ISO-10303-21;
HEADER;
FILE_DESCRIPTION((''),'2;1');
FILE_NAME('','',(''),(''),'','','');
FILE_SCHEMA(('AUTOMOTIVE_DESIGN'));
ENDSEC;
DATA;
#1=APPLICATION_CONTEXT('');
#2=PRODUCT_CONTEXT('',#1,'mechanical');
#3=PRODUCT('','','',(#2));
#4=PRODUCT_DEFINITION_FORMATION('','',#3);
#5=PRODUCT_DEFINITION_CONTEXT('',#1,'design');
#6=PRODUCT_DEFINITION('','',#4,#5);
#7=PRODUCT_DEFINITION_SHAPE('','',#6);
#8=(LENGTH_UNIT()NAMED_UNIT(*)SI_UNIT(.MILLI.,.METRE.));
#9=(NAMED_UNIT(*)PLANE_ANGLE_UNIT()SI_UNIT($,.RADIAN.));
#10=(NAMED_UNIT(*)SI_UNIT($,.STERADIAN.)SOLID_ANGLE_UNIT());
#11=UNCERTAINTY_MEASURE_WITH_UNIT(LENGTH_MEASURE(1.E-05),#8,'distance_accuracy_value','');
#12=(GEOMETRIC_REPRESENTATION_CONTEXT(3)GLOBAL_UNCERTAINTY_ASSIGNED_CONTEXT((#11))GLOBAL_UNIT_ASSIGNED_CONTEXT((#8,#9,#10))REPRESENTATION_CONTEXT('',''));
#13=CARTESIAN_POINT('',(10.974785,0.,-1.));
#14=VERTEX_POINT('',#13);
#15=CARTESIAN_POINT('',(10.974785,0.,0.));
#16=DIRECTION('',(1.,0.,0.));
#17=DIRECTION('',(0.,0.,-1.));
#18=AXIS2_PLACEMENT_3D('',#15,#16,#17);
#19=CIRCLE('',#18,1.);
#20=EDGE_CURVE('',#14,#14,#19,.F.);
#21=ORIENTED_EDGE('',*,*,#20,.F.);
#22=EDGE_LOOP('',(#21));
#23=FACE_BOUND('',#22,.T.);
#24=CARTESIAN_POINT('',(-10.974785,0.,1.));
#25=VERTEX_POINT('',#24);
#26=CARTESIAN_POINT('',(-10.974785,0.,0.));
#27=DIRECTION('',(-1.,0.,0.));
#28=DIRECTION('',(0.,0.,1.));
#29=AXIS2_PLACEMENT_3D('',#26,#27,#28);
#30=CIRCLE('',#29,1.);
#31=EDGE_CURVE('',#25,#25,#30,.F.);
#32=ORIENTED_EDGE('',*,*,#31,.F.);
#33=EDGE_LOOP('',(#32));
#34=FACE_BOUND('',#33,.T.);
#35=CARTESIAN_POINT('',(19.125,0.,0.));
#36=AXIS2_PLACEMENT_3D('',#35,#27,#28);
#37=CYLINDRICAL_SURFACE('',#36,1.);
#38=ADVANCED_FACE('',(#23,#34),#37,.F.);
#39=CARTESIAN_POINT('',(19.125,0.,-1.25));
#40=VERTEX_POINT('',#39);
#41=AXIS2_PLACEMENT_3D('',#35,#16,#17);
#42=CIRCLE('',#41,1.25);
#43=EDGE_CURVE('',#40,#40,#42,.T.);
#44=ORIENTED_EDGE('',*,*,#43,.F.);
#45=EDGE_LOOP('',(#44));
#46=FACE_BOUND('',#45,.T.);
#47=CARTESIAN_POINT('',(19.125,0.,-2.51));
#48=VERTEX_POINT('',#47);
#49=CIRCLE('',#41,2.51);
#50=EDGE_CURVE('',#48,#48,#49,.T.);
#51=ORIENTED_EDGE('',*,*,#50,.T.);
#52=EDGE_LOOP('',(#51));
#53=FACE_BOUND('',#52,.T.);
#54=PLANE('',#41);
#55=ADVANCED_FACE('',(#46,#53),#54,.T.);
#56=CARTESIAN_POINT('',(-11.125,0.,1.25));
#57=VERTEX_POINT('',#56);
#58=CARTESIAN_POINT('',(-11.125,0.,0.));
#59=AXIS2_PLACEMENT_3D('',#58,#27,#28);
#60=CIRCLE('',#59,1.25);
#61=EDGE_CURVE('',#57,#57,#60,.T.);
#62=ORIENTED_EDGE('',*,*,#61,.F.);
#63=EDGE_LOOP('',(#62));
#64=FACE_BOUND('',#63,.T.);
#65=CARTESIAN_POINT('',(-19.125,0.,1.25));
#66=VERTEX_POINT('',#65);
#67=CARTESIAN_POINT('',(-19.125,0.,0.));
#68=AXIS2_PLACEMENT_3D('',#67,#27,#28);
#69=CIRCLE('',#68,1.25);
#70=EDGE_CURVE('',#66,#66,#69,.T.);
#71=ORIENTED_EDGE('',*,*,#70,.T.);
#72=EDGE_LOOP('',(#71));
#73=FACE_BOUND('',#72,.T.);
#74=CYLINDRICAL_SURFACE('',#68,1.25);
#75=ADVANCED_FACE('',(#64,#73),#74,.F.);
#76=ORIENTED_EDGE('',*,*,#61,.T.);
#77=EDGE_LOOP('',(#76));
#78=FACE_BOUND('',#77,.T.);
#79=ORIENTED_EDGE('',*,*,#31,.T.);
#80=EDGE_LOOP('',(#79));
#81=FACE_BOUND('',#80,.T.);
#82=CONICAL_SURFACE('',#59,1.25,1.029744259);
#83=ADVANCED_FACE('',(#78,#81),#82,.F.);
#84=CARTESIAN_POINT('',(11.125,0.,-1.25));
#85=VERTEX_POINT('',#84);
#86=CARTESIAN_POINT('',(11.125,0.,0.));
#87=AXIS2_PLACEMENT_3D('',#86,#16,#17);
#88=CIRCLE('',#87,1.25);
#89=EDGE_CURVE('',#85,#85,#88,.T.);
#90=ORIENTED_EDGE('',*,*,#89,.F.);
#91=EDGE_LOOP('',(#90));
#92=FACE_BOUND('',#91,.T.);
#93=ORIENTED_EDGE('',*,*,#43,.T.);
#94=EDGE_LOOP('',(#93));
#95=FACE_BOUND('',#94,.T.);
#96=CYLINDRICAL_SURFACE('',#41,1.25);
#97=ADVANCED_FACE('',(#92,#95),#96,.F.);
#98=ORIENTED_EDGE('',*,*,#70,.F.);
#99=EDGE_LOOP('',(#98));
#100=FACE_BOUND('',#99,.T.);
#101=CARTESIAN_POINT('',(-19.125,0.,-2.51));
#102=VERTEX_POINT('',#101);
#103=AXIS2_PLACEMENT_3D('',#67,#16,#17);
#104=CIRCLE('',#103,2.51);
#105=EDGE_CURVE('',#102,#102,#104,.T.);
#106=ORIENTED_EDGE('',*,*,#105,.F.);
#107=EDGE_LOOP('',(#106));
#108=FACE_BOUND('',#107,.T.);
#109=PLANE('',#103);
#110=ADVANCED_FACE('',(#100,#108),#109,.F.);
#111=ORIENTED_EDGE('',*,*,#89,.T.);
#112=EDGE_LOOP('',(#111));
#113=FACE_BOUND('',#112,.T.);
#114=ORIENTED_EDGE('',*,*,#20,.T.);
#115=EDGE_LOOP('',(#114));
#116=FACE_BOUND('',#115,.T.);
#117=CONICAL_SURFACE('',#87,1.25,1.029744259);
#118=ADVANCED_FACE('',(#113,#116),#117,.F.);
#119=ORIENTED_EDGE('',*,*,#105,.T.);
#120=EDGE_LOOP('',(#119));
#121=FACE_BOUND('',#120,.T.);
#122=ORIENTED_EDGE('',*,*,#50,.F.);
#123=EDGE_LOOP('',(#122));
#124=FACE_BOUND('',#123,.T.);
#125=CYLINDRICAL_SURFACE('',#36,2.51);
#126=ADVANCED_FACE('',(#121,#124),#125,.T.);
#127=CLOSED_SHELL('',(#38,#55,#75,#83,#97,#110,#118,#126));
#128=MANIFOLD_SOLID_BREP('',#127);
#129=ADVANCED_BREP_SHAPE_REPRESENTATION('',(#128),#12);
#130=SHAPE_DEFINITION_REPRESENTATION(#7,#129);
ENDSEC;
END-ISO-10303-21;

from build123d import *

# Parameters (mm, degrees)
SCHIZZO2_R                   = 2.51
SCHIZZO2_R_2                 = 1
ESTRUSIONE_ESTRUSIONE1_DEPTH = 19.125


with BuildPart() as part:
    # Schizzo2 → Estrusione-Estrusione1 (new, symmetric)
    with BuildSketch(Plane(origin=(0, 0, 0), x_dir=(0, 0, -1), z_dir=(1, 0, 0))):
        Circle(SCHIZZO2_R)
        Circle(SCHIZZO2_R_2, mode=Mode.SUBTRACT)
    extrude(amount=ESTRUSIONE_ESTRUSIONE1_DEPTH, both=True)

    # Schizzo5 → Foro filettato M3x0.5-2 (revolve, cut)
    with BuildSketch(Plane(origin=(19.125, 0, 0), x_dir=(0, 0, -1), z_dir=(0, 1, 0))):
        Polygon((0, 0), (0, 8.751075774), (1.25, 8), (1.25, 0), align=None)
    foro_filettato_m3x0_5_2 = revolve(axis=Axis((25.475, 0, 0), (-1, 0, 0)), mode=Mode.SUBTRACT)

    # Specchia1: Foro filettato M3x0.5-2 across plane
    add(foro_filettato_m3x0_5_2.mirror(Plane(origin=(0, 0, 0), x_dir=(0, 0, 1), z_dir=(1, 0, 0))), mode=Mode.SUBTRACT)


solid = part.part
